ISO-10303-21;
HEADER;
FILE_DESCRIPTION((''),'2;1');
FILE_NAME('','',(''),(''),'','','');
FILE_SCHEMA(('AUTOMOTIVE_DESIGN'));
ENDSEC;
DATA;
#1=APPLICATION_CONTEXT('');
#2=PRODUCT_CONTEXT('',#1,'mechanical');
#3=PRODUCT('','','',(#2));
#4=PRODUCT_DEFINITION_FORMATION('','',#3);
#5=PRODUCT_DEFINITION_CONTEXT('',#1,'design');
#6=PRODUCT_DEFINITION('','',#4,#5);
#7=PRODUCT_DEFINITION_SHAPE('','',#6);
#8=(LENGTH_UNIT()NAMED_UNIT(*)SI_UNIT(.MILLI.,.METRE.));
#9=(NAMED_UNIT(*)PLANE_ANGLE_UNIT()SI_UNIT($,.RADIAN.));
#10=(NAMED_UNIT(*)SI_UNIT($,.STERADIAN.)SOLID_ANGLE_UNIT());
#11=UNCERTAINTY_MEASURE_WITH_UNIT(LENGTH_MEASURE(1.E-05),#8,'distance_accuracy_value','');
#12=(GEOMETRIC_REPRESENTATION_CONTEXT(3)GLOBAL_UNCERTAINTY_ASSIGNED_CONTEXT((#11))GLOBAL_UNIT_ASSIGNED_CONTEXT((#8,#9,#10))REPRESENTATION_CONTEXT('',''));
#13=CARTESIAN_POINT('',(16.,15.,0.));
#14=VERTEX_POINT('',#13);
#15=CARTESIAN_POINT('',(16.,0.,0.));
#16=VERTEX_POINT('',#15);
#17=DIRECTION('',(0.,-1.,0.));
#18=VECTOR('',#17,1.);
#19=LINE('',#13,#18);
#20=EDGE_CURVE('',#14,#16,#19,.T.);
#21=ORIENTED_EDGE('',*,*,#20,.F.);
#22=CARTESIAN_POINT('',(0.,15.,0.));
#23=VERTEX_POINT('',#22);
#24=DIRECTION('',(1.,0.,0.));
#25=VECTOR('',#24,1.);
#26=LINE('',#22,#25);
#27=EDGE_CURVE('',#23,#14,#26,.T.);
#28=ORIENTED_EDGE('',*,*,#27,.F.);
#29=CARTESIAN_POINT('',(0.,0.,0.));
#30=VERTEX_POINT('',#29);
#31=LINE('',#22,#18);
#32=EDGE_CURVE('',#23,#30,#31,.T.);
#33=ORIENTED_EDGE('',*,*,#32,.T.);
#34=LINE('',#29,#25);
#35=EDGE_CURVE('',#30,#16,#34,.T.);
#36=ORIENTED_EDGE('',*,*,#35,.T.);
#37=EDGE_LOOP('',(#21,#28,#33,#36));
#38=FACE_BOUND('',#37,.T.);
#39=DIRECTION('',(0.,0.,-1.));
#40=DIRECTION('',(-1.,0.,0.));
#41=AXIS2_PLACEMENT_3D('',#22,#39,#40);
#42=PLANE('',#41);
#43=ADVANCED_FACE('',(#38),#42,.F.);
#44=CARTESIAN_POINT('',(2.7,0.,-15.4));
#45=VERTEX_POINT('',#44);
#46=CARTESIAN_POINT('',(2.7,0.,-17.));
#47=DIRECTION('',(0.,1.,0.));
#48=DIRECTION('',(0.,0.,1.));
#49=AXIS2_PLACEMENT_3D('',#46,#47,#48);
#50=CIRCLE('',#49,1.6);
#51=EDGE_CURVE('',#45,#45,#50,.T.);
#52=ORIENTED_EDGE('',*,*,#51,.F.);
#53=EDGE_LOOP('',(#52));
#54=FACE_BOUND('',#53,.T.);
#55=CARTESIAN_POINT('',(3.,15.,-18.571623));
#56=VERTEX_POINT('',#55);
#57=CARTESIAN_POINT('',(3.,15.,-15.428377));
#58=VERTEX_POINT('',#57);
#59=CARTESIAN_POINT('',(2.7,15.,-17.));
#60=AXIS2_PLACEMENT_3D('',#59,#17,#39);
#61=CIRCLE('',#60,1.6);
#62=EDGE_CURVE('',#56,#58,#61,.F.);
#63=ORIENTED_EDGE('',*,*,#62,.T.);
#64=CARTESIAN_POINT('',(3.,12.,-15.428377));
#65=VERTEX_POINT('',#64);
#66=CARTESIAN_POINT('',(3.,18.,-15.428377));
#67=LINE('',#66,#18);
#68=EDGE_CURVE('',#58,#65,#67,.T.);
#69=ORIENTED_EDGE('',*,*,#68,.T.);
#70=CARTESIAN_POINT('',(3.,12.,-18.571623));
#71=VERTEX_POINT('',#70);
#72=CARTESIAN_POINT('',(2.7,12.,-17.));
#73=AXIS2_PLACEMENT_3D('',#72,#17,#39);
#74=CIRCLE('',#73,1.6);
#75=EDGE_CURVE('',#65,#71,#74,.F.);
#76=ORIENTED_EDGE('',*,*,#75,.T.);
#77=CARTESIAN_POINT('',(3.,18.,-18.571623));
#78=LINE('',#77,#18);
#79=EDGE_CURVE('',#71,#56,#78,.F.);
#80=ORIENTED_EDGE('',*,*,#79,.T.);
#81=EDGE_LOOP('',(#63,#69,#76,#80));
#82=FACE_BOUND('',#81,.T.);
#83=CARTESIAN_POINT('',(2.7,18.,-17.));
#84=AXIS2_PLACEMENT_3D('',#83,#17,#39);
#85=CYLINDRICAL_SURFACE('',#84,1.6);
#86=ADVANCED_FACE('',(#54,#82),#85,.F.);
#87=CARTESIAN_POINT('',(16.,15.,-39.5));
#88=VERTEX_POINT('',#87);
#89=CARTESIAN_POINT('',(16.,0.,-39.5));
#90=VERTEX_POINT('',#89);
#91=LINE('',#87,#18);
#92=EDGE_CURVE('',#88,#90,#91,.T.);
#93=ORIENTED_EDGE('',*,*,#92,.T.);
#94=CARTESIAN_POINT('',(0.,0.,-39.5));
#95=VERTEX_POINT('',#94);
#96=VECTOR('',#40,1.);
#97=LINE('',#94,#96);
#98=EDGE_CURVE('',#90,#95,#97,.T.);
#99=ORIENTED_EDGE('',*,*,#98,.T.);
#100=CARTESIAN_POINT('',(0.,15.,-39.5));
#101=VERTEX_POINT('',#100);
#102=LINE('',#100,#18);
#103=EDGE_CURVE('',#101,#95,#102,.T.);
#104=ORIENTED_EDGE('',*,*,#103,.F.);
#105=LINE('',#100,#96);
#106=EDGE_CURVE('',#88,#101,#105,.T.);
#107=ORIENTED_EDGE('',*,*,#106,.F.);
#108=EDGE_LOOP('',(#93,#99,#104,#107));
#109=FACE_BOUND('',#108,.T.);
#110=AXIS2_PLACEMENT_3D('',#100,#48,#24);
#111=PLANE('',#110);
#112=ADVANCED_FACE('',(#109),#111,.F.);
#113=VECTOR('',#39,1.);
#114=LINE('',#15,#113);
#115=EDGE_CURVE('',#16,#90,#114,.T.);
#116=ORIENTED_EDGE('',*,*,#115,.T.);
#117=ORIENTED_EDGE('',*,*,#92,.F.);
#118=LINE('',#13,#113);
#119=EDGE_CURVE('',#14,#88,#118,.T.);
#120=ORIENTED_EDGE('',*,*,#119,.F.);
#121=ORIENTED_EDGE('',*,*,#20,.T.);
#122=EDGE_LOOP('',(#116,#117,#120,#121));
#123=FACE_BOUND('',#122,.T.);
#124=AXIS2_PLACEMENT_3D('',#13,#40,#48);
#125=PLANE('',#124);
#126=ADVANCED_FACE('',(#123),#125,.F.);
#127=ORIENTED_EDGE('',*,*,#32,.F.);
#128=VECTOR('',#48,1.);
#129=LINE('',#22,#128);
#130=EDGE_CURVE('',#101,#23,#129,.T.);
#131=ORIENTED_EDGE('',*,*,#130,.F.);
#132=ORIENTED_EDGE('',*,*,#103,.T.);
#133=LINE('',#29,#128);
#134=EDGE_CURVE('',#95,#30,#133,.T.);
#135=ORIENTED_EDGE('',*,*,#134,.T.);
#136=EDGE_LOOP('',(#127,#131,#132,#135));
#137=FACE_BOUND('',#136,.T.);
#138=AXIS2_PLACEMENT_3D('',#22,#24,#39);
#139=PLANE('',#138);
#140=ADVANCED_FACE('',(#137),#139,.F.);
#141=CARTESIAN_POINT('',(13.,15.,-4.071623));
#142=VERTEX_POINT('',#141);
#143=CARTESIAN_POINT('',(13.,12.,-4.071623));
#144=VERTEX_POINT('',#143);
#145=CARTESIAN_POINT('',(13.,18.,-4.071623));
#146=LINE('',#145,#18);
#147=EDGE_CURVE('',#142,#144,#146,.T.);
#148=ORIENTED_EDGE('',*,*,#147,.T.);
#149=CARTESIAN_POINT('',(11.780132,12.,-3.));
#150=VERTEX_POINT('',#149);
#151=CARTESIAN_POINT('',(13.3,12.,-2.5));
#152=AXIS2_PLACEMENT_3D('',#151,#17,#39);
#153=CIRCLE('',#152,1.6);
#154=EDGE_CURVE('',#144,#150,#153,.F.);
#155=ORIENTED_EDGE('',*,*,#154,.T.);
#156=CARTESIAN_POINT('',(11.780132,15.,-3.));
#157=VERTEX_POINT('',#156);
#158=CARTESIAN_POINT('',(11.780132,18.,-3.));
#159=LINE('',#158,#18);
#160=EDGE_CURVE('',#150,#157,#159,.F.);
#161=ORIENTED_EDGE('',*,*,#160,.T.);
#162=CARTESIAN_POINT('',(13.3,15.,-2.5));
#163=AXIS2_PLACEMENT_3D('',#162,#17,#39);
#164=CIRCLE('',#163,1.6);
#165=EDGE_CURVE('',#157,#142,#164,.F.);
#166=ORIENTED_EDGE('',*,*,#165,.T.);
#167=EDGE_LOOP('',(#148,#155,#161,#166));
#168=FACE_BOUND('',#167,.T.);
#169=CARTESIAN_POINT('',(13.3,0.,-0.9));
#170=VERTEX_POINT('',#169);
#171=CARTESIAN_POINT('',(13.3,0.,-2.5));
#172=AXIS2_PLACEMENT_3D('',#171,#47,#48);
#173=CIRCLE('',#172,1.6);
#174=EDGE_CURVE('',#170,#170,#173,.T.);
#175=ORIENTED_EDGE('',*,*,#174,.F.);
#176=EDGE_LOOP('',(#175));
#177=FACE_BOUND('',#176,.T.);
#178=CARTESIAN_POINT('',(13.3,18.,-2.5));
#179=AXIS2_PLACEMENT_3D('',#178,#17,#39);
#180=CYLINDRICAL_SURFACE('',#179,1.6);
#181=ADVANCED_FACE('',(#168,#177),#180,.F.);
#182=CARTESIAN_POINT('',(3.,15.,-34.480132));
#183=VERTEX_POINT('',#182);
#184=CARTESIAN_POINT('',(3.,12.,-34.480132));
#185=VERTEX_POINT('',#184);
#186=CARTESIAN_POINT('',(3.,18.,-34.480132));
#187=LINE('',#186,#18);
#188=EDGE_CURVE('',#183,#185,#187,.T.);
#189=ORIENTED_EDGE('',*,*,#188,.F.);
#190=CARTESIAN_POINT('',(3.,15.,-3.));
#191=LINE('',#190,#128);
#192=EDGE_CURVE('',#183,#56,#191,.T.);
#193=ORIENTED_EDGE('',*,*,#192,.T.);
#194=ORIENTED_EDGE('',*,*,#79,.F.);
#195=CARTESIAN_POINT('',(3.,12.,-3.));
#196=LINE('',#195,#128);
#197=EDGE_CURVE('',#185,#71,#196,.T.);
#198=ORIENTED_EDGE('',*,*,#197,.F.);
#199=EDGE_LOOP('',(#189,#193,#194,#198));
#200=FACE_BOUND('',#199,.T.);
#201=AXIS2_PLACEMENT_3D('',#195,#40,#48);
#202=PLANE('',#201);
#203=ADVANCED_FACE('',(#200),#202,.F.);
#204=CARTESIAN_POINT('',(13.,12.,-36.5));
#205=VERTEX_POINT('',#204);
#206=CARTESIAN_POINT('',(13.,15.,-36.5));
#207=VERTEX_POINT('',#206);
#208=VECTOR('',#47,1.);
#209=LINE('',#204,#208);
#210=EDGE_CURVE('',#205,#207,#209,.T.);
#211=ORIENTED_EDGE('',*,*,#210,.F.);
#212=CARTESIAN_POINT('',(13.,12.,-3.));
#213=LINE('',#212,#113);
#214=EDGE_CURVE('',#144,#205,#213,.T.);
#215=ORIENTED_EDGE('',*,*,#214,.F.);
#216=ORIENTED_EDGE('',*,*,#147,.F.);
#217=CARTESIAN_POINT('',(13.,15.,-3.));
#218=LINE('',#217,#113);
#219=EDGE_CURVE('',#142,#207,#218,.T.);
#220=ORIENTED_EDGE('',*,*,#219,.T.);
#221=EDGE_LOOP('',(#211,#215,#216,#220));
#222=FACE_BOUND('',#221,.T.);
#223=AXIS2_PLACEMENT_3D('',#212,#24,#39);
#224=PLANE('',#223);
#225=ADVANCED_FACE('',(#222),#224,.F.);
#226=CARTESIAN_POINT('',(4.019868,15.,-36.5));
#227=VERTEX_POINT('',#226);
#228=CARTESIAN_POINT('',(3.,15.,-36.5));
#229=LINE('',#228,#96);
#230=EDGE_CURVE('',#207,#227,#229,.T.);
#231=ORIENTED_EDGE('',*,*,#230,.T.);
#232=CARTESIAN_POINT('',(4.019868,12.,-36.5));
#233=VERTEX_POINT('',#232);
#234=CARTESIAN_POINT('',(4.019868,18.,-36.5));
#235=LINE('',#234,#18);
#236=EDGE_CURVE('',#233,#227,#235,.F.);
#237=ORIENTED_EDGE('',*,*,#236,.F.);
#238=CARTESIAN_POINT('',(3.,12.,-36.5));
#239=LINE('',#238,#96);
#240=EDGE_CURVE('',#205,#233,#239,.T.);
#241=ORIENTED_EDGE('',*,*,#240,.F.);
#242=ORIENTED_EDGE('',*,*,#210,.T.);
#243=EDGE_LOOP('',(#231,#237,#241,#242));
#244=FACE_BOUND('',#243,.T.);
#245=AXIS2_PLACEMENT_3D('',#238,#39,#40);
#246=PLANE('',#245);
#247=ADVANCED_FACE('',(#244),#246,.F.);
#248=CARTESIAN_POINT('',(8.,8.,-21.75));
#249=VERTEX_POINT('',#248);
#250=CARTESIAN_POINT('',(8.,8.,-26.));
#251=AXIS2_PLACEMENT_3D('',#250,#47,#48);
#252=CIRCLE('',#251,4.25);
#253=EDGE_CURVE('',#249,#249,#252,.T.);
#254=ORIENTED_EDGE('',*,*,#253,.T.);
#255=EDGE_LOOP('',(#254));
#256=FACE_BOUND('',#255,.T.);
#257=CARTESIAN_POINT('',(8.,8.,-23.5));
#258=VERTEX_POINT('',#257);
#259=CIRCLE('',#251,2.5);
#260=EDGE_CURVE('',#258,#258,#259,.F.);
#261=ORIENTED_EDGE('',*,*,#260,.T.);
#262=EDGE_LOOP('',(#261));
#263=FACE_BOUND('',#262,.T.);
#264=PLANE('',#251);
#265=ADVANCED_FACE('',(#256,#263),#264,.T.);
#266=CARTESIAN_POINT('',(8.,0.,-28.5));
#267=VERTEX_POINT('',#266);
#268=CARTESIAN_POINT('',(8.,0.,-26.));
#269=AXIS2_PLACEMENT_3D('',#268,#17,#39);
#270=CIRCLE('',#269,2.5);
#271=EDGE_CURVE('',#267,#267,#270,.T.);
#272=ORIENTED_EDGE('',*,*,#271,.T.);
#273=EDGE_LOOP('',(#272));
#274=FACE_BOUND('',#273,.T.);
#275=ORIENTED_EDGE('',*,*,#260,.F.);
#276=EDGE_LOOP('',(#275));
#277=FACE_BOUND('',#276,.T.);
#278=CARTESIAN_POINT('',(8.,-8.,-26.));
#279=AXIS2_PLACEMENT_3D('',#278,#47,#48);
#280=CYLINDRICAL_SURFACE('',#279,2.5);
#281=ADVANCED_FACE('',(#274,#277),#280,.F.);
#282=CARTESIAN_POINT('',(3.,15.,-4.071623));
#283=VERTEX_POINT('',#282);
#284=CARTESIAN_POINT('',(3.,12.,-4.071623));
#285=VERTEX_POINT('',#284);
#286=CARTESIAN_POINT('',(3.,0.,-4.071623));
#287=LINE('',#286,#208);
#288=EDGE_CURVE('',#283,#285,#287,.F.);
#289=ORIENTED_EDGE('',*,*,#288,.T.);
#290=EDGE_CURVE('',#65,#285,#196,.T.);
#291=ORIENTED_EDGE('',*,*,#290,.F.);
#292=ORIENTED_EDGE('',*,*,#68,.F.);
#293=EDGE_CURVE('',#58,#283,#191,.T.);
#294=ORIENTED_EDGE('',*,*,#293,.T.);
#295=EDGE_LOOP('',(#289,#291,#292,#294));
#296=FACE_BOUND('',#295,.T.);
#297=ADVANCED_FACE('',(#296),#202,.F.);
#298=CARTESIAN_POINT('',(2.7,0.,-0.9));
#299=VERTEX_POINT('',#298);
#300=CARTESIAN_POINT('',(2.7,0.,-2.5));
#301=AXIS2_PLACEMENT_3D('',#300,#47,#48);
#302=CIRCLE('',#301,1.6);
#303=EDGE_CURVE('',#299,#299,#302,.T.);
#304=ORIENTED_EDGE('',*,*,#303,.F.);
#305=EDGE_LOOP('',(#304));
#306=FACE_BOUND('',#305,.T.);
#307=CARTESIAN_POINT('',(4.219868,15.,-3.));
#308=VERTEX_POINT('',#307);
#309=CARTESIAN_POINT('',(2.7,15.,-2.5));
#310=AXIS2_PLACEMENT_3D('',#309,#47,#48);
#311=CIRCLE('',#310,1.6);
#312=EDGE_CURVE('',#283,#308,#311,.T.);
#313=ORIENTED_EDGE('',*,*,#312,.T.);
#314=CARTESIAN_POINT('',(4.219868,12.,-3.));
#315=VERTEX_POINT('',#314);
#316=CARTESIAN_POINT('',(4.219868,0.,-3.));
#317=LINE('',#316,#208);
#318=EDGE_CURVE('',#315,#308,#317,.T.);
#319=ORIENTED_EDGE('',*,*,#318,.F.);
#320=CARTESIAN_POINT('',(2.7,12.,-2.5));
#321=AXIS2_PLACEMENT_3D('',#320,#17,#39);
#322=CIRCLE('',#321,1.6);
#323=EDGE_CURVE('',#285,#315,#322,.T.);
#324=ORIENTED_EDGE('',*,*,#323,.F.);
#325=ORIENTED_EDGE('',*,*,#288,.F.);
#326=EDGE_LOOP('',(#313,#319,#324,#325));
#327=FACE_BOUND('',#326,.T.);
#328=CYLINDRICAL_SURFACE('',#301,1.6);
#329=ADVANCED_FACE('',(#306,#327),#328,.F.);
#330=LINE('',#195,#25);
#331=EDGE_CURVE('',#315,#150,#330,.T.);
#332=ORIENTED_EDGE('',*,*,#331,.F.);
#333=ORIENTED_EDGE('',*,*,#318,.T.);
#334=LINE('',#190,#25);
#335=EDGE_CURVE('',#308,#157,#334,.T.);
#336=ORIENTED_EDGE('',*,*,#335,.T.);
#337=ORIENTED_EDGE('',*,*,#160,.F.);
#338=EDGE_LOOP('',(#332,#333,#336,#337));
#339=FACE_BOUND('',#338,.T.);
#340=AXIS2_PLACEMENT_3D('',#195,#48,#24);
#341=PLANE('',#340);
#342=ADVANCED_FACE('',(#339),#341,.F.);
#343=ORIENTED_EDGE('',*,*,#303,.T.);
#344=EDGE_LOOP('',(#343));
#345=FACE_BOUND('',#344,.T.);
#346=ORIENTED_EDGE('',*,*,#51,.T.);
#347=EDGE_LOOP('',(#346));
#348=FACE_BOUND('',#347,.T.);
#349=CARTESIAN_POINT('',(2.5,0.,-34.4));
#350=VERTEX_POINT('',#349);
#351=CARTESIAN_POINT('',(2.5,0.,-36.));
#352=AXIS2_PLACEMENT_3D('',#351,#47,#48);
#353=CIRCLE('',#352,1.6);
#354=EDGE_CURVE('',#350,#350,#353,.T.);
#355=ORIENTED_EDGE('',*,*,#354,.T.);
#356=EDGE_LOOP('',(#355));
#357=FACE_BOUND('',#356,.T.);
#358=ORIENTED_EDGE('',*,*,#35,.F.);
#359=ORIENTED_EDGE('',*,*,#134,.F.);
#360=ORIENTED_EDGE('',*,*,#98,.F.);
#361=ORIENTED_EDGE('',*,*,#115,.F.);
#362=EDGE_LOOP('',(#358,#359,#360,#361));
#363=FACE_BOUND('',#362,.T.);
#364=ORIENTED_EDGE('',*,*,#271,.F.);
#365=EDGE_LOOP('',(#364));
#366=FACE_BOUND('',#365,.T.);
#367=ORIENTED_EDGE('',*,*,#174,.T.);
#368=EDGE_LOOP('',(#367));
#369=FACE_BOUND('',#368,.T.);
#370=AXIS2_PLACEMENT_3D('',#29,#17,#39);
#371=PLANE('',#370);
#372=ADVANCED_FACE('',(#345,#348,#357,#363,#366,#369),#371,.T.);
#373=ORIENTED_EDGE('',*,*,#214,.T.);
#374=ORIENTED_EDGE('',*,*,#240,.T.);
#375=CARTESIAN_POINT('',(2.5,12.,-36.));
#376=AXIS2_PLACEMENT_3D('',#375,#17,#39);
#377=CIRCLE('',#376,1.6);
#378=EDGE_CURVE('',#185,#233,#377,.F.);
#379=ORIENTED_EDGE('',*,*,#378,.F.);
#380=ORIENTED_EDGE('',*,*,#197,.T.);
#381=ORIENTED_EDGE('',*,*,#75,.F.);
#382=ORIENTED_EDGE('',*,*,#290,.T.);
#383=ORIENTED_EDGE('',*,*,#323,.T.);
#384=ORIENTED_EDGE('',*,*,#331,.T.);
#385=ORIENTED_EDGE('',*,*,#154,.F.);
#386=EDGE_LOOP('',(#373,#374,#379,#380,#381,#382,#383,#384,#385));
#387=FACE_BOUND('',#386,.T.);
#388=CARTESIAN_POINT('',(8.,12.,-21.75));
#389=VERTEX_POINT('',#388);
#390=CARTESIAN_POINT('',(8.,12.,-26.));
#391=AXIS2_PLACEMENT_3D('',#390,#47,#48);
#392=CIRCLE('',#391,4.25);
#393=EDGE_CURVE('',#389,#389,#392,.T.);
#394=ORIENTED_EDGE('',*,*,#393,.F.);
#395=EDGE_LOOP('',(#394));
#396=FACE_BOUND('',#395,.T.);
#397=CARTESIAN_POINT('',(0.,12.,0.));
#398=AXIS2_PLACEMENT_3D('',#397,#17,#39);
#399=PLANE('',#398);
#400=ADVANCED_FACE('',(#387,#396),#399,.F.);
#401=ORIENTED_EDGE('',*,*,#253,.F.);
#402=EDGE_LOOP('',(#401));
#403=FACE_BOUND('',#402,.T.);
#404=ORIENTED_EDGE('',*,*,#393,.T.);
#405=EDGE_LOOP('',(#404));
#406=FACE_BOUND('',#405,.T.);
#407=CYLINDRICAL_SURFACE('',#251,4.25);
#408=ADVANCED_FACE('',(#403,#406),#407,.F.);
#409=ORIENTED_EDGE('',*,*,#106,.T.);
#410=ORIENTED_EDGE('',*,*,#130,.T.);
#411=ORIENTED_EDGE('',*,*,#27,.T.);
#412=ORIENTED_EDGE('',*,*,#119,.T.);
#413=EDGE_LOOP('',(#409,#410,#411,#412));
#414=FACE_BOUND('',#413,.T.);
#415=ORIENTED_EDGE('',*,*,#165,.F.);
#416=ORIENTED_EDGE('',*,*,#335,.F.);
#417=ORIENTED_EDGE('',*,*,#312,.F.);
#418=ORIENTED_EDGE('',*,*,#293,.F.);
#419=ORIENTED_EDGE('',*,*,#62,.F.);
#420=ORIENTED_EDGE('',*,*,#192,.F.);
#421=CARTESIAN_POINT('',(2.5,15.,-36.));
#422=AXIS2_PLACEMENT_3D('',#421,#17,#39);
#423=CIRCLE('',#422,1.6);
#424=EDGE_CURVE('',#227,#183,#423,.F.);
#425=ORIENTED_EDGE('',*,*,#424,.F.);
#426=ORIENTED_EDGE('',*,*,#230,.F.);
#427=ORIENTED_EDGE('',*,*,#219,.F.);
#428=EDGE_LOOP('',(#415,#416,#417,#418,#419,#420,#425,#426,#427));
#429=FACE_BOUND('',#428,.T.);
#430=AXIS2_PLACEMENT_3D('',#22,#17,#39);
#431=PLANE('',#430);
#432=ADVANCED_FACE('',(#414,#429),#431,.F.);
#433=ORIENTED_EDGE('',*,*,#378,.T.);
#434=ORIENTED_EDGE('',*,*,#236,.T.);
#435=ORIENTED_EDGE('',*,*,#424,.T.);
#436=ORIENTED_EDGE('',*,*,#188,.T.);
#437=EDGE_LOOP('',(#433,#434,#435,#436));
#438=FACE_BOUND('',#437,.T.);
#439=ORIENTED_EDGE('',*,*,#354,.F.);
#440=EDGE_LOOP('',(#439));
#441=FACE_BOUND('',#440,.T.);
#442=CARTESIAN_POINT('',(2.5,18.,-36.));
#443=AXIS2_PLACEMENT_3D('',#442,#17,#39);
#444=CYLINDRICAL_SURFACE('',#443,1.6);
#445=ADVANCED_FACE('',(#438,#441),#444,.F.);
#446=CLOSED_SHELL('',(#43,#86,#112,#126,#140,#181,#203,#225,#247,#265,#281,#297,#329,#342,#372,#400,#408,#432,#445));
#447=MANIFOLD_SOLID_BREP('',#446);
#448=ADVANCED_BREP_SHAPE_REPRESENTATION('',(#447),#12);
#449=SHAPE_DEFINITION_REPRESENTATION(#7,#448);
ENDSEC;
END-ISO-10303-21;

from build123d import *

# Parameters (mm, degrees)
SKETCH1_W               = 16
SKETCH1_H               = 39.5
BOSS_EXTRUDE1_DEPTH     = 15
SKETCH2_W               = 10
SKETCH2_H               = 33.5
CUT_EXTRUDE1_DEPTH      = 3
CUT_EXTRUDE2_DEPTH      = 45.274710615
CUT_EXTRUDE2_DEPTH_BACK = 45.274710615
SKETCH3_R               = 1.6
CUT_EXTRUDE3_DEPTH      = 3
CUT_EXTRUDE3_DEPTH_BACK = 46.180194776
SKETCH4_R               = 1.6
SKETCH5_R               = 2.5
CUT_EXTRUDE4_DEPTH      = 20
SKETCH7_R               = 4.25
CUT_EXTRUDE5_DEPTH      = 4


with BuildPart() as part:
    # Sketch1 → Boss-Extrude1 (new body)
    with BuildSketch(Plane(origin=(0, 0, 0), x_dir=(1, 0, 0), z_dir=(0, 1, 0))):
        with Locations((8, 19.75)):
            Rectangle(SKETCH1_W, SKETCH1_H)
    extrude(amount=BOSS_EXTRUDE1_DEPTH)

    # Sketch2 → Cut-Extrude1 (cut)
    with BuildSketch(Plane(origin=(0, 15, 0), x_dir=(1, 0, 0), z_dir=(0, 1, 0))):
        with Locations((8, 19.75)):
            Rectangle(SKETCH2_W, SKETCH2_H)
    extrude(amount=-CUT_EXTRUDE1_DEPTH, mode=Mode.SUBTRACT)

    # Sketch3 → Cut-Extrude2 (cut, two sides: drawn at the far end of the back side and taken through both)
    with BuildSketch(Plane(origin=(0, 12, 0), x_dir=(1, 0, 0), z_dir=(0, 1, 0)).offset(-CUT_EXTRUDE2_DEPTH_BACK)):
        with Locations((2.7, 2.5)):
            Circle(SKETCH3_R)
    extrude(amount=CUT_EXTRUDE2_DEPTH + CUT_EXTRUDE2_DEPTH_BACK, mode=Mode.SUBTRACT)

    # Sketch4 → Cut-Extrude3 (cut, two sides: drawn at the far end of the back side and taken through both)
    with BuildSketch(Plane(origin=(0, 15, 0), x_dir=(1, 0, 0), z_dir=(0, 1, 0)).offset(-CUT_EXTRUDE3_DEPTH_BACK)):
        with Locations((13.3, 2.5)):
            Circle(SKETCH4_R)
        with Locations((2.7, 17)):
            Circle(SKETCH4_R)
        with Locations((2.5, 36)):
            Circle(SKETCH4_R)
    extrude(amount=CUT_EXTRUDE3_DEPTH + CUT_EXTRUDE3_DEPTH_BACK, mode=Mode.SUBTRACT)

    # Sketch5 → Cut-Extrude4 (cut)
    with BuildSketch(Plane(origin=(0, 12, 0), x_dir=(1, 0, 0), z_dir=(0, 1, 0))):
        with Locations((8, 26)):
            Circle(SKETCH5_R)
    extrude(amount=-CUT_EXTRUDE4_DEPTH, mode=Mode.SUBTRACT)

    # Sketch7 → Cut-Extrude5 (cut)
    with BuildSketch(Plane(origin=(0, 12, 0), x_dir=(1, 0, 0), z_dir=(0, 1, 0))):
        with Locations((8, 26)):
            Circle(SKETCH7_R)
    extrude(amount=-CUT_EXTRUDE5_DEPTH, mode=Mode.SUBTRACT)


solid = part.part
